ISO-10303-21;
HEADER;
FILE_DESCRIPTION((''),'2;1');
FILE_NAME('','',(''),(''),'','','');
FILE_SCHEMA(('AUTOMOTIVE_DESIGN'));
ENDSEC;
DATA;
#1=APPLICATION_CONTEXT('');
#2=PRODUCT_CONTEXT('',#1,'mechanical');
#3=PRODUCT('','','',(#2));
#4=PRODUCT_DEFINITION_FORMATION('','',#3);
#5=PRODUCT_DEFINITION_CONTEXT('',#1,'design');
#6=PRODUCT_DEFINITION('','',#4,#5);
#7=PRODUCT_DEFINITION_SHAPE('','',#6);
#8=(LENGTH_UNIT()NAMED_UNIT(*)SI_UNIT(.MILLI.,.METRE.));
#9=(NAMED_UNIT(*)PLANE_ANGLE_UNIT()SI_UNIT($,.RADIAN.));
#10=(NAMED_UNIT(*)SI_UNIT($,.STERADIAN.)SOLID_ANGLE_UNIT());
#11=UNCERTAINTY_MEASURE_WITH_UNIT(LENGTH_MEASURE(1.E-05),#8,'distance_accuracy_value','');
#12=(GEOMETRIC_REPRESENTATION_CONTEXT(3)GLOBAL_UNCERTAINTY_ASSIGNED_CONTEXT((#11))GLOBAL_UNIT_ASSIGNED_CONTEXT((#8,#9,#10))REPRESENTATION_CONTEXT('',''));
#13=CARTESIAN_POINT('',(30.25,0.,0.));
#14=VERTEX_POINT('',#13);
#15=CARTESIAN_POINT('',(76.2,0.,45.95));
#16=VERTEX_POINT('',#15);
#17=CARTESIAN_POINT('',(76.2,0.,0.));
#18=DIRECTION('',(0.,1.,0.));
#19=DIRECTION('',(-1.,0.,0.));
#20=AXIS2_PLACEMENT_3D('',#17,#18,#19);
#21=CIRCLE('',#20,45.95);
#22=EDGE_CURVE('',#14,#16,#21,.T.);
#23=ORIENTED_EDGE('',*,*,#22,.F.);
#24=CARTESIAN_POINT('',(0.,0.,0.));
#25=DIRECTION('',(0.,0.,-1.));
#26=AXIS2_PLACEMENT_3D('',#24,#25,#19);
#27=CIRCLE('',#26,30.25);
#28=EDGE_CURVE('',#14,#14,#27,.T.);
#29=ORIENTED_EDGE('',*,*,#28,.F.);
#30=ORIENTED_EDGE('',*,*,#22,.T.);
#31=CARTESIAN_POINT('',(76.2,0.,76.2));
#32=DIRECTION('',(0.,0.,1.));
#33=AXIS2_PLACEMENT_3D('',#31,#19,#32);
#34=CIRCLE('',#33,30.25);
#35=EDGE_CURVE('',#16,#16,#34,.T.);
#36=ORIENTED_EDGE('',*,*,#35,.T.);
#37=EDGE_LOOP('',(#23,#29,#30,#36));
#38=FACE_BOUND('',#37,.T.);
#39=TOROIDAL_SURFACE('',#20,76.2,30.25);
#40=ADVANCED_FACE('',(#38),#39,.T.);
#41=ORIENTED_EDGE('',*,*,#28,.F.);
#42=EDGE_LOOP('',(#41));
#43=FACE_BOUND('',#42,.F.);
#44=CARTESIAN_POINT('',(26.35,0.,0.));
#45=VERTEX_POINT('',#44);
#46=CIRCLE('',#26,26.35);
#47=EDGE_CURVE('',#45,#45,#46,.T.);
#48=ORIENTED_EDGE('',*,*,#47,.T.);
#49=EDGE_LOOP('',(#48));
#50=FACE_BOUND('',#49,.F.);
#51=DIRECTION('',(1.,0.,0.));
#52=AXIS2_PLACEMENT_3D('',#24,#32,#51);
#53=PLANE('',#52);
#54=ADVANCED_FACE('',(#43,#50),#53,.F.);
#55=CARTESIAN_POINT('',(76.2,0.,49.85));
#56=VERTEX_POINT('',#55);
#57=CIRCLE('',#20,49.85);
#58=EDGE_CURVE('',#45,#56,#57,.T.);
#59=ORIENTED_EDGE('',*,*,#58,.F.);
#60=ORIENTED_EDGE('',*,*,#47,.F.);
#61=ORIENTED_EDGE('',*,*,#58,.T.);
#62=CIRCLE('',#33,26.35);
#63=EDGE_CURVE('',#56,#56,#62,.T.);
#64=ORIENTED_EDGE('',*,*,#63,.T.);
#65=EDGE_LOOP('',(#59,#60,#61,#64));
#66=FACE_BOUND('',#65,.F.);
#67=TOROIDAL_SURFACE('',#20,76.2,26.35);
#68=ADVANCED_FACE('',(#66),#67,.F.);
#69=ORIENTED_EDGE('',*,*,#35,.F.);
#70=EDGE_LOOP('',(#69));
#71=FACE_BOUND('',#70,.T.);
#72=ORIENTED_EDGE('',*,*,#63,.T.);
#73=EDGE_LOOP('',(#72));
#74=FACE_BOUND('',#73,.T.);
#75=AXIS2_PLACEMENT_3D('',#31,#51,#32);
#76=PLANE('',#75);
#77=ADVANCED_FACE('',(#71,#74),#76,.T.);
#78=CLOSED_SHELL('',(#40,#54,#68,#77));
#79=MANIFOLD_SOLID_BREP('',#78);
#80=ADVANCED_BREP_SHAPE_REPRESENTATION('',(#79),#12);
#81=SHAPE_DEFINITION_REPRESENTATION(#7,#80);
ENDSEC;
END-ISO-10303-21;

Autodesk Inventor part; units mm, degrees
ref_plane "YZ Plane" through (0, 0, 0) normal (1, 0, 0) x (0, 1, 0)
ref_plane "XZ Plane" through (0, 0, 0) normal (0, 1, 0) x (-1, 0, 0)
ref_plane "XY Plane" through (0, 0, 0) normal (0, 0, 1) x (1, 0, 0)
sketch "Sketch1" plane through (0, 0, 0) normal (0, 0, 1) x (1, 0, 0)
  circle A0 centre (0, 0) radius 26.35
  circle A1 centre (0, 0) radius 30.25
  dimension "d0" = 52.7
  dimension "d1" = 60.5
sketch "Sketch2" plane through (0, 0, 0) normal (0, 1, 0) x (-1, 0, 0)
  line L0 (0, 0) -> (0, 76.2) construction
  line L1 (0, 76.2) -> (-76.2, 76.2) construction
  arc A0 (0, 0) -> (-76.2, 76.2) centre (-76.2, 0) ccw
  dimension "d2" = 76.2
  dimension "d3" = 90
  dimension "d4" = 76.2
sweep "Sweep1" add profiles "Sketch1" path "Sketch2"
equation "\"d0\" = D - 2 * T"
equation "\"d1\" = D"
equation "\"d2\" = F1"
equation "\"d4\" = F1"
equation "\"D\" = 60.5"
equation "\"F1\" = 76.2"
equation "\"T\" = 3.9"
equation "\"Size_Designation\" = 1.2345"
properties part number "JIS B 2312 90 Deg Long Elbow Steel 50A x Sch 40" material "Steel"
